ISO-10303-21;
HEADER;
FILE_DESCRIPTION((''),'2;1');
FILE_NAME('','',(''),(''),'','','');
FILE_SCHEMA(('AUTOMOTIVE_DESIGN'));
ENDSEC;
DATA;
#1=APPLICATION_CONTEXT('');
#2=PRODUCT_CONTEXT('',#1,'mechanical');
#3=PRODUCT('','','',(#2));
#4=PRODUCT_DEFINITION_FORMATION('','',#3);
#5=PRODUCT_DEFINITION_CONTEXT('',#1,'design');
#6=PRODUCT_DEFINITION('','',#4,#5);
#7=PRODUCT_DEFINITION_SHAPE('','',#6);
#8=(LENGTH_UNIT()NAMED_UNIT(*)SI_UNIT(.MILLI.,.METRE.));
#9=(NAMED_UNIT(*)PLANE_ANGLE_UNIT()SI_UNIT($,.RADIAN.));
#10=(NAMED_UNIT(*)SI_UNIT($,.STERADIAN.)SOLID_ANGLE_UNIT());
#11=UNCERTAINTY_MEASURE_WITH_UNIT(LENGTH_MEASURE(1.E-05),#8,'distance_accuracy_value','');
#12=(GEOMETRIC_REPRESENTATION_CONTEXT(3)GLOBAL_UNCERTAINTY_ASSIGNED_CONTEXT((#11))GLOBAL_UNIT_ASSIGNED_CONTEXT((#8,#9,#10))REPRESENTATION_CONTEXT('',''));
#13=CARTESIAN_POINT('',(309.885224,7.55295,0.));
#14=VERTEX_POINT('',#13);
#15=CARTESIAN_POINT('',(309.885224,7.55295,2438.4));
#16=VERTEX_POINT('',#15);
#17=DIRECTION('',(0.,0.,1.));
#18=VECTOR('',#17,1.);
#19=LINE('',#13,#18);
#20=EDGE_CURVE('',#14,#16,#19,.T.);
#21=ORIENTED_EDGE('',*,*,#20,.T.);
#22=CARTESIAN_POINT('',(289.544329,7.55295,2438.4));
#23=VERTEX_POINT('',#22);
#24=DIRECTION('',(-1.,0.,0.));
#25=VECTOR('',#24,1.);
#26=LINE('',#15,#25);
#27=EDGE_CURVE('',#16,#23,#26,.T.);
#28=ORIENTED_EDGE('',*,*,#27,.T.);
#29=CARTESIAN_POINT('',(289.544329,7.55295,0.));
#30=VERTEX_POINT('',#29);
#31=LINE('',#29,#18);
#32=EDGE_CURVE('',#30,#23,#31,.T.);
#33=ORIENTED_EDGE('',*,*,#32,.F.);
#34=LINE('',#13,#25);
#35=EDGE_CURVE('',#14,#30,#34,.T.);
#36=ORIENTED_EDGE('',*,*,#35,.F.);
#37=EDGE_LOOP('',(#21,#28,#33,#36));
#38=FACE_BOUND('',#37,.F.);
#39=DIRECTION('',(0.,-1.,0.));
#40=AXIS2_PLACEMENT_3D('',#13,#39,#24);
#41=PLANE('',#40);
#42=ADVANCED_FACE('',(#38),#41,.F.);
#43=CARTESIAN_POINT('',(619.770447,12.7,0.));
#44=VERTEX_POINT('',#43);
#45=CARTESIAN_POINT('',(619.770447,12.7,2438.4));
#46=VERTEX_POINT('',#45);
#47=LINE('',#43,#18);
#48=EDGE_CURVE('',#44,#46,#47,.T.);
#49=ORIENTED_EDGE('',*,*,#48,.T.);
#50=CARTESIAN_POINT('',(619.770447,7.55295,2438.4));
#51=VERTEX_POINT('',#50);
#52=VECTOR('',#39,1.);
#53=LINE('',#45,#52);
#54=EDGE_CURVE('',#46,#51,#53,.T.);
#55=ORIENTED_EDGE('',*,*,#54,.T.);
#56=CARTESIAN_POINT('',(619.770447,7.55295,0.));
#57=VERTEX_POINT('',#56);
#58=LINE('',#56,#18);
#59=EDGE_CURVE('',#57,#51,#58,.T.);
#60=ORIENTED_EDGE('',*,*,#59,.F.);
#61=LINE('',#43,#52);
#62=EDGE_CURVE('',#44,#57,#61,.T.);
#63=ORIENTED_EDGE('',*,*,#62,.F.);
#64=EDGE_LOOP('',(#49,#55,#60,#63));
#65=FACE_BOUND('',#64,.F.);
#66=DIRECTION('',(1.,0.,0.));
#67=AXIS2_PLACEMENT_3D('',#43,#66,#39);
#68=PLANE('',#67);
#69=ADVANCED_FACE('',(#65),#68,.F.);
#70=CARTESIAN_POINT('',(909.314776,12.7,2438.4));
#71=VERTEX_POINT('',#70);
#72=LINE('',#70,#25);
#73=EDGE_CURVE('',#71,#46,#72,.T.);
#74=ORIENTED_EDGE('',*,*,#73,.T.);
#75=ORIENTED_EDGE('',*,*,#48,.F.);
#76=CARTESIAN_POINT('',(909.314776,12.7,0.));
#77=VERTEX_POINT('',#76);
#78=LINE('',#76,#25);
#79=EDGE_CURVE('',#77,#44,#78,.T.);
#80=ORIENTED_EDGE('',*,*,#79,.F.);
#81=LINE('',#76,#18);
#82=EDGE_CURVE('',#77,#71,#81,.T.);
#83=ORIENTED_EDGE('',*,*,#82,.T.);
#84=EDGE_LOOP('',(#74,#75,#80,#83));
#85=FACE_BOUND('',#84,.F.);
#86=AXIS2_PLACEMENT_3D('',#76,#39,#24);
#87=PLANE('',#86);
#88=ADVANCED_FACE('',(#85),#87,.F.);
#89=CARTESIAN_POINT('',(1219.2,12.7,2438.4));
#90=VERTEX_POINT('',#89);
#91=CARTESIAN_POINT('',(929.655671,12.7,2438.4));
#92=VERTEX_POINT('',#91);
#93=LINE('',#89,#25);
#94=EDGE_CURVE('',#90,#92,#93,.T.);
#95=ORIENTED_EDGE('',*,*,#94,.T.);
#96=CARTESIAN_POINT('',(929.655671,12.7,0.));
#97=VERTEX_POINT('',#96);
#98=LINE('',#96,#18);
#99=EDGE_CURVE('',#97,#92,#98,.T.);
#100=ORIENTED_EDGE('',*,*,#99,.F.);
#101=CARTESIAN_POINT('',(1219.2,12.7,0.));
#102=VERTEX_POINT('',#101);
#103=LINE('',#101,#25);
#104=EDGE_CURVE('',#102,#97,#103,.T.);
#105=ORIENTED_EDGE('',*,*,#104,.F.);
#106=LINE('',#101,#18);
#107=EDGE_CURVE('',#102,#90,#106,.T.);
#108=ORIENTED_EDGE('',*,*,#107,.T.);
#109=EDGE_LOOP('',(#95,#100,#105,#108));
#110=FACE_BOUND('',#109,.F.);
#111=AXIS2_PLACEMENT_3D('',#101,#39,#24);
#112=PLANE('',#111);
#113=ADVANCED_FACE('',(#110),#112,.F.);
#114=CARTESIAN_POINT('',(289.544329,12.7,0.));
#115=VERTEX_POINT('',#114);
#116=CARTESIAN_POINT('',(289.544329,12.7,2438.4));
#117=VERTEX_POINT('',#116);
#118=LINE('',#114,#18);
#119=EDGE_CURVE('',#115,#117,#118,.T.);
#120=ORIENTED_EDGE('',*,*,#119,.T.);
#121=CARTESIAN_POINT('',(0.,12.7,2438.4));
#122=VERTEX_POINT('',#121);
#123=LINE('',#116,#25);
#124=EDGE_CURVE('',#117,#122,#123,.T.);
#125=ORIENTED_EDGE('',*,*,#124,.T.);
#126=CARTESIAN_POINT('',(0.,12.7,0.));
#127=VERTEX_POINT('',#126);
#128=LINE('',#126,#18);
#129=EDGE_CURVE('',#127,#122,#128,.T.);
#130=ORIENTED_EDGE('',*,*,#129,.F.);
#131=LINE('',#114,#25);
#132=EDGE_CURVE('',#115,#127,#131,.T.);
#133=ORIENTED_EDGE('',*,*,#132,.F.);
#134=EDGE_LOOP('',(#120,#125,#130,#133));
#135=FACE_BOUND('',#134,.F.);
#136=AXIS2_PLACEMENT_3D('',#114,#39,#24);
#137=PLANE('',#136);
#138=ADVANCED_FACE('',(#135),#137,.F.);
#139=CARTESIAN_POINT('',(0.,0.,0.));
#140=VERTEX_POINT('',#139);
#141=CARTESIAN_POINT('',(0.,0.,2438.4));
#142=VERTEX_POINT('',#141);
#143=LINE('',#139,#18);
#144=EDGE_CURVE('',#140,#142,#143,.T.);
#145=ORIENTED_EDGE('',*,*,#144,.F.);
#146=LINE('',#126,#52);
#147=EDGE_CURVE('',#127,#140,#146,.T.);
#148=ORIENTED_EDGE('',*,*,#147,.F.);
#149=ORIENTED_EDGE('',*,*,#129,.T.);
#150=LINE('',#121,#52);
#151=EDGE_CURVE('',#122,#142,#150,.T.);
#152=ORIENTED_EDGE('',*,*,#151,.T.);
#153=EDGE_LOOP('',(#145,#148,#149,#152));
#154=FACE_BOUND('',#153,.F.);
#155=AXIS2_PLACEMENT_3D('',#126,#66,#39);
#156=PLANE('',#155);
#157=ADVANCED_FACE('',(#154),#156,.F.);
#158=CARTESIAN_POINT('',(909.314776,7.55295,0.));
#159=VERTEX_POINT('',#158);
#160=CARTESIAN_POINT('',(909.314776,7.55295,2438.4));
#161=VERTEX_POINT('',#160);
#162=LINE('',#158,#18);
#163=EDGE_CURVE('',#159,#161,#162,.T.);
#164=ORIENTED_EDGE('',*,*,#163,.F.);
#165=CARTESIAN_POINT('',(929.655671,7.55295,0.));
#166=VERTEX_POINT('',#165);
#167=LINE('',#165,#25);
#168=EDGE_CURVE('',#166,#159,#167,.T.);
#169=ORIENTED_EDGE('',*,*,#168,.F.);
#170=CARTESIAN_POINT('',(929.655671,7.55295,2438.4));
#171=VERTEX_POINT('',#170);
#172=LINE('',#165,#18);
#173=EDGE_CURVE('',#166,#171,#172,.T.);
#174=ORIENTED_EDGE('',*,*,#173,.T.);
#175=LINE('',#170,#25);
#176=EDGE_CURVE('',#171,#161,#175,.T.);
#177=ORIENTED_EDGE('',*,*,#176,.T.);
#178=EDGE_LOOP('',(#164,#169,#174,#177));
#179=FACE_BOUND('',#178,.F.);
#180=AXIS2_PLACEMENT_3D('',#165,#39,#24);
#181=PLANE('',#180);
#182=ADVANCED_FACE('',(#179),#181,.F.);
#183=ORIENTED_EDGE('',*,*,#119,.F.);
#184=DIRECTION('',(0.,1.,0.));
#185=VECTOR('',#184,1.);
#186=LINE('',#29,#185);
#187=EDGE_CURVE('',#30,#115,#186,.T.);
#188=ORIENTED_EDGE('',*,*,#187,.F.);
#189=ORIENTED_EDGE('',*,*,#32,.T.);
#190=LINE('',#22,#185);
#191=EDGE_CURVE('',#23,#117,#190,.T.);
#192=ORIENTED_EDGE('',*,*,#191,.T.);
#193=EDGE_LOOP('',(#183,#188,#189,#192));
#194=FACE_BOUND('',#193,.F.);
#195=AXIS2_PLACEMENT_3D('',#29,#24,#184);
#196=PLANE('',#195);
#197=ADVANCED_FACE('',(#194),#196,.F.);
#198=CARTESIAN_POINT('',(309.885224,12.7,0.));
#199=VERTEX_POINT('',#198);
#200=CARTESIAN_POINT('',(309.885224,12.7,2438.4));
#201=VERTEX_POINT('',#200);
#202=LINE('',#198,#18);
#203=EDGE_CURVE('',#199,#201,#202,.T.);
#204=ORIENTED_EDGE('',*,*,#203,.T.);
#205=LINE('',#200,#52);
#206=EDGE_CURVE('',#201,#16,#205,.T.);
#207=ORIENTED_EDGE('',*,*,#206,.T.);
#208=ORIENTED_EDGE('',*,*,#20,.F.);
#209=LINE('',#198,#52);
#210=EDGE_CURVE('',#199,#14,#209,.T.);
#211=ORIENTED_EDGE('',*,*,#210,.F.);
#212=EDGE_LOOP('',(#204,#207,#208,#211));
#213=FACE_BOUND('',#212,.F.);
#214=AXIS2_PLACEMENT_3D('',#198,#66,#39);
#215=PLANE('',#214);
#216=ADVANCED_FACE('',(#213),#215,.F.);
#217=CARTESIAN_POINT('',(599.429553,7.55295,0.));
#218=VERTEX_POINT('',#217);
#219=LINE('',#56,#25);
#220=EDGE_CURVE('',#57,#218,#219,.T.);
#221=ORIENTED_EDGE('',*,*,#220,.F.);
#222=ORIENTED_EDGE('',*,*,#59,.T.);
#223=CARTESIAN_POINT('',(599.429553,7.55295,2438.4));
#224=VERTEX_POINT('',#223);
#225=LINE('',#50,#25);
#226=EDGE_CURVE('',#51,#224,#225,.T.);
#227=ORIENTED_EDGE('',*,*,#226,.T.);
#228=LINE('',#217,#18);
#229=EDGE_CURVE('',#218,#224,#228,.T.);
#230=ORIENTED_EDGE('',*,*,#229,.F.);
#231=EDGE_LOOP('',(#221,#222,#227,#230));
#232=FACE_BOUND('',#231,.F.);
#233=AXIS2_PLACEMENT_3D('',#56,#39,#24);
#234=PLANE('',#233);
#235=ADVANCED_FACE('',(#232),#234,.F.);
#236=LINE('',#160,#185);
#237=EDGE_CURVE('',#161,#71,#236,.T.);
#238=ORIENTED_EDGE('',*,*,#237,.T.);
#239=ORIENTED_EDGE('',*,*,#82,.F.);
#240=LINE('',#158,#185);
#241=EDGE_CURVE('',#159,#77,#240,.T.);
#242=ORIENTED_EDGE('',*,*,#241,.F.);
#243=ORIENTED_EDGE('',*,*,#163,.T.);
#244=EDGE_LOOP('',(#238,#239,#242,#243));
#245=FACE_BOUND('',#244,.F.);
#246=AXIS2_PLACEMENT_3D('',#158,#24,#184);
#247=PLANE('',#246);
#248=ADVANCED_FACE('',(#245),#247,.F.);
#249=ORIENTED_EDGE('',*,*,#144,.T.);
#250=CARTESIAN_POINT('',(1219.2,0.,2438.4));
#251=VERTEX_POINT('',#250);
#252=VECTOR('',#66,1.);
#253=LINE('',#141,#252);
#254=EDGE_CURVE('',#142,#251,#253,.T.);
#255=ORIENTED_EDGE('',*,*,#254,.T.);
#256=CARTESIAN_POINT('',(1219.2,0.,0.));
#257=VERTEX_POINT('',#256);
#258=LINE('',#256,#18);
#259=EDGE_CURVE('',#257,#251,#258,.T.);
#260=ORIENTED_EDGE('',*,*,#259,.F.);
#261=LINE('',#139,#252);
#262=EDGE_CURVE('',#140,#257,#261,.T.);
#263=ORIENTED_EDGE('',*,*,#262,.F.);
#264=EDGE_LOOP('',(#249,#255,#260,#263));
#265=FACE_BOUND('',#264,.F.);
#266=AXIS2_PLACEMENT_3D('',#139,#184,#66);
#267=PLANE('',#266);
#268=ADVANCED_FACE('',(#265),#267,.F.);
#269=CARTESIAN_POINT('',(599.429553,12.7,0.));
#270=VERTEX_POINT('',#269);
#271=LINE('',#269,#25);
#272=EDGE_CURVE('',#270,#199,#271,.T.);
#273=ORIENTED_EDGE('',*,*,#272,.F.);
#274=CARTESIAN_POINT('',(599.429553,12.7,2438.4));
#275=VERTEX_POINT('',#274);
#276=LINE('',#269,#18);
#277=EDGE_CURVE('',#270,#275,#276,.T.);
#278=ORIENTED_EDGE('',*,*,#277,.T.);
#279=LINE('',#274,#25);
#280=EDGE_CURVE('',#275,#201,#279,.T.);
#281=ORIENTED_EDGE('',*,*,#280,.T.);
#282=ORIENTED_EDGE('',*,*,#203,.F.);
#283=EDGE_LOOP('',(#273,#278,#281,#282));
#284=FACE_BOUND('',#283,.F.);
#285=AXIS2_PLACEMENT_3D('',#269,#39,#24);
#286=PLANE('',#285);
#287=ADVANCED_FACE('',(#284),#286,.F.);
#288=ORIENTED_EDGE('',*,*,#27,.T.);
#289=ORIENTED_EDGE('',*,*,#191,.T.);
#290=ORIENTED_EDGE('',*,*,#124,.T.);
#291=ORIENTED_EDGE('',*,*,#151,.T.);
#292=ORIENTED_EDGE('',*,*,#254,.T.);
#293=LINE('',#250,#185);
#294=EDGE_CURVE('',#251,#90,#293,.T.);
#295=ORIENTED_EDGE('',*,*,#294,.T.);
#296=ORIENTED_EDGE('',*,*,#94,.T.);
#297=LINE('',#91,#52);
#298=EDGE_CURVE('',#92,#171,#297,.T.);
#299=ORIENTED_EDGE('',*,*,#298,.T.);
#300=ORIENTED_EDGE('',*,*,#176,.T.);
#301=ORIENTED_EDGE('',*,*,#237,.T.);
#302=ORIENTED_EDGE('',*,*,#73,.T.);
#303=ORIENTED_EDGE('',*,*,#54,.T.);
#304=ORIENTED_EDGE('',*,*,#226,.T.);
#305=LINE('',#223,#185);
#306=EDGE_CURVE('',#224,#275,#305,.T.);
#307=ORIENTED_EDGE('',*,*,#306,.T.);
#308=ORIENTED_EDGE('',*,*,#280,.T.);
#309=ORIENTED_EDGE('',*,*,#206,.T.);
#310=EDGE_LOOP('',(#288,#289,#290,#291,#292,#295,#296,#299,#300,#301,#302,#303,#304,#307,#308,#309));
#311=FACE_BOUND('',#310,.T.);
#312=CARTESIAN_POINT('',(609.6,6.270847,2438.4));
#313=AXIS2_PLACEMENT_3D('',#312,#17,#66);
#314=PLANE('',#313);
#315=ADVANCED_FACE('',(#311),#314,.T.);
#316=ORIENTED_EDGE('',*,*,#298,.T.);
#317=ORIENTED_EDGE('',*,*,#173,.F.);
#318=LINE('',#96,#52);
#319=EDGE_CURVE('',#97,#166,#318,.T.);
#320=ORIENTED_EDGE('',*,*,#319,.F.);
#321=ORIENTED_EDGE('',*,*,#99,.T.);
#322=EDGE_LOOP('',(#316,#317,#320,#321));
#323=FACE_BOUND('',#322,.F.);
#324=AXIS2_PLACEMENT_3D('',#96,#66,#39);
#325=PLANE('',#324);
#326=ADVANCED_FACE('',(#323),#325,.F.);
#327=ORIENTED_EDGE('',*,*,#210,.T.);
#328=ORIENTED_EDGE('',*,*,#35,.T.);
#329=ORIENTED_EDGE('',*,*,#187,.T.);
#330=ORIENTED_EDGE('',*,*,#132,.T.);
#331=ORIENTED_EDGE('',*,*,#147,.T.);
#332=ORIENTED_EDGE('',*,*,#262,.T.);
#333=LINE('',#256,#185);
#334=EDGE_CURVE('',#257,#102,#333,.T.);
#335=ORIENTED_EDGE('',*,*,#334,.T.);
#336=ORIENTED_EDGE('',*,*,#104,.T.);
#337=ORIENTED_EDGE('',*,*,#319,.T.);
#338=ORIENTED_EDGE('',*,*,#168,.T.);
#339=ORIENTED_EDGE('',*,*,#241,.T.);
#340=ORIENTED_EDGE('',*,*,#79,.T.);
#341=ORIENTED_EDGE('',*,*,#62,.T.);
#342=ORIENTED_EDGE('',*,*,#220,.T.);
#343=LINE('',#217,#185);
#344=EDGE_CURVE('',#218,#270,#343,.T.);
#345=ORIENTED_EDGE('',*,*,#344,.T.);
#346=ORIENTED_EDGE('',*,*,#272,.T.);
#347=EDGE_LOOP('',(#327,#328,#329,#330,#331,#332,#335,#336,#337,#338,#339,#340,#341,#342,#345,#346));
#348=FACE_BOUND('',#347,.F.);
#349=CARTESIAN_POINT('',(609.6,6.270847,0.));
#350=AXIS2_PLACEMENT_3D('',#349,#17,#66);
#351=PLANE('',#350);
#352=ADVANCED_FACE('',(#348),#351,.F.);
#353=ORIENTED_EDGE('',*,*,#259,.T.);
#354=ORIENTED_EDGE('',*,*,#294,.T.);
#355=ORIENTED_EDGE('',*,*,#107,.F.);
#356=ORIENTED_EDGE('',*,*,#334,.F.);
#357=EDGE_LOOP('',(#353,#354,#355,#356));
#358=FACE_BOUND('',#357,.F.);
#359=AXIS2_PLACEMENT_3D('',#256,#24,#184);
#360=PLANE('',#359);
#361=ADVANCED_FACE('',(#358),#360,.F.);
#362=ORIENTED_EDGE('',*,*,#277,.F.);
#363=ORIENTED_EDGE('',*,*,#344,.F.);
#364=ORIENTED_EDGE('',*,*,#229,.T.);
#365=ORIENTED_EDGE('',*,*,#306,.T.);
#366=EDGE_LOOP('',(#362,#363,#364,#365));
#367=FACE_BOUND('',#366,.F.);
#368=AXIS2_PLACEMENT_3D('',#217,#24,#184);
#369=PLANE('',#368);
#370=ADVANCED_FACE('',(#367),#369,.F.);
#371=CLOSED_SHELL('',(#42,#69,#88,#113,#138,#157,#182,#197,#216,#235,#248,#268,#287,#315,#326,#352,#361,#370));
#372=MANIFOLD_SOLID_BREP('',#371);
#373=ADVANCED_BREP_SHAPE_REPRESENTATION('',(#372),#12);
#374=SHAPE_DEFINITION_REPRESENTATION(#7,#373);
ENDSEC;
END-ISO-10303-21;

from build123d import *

# Parameters (mm, degrees)
F1_DEPTH = 2438.4


with BuildPart() as f1:
    # F0 (on Top) → F1 (new body)
    with BuildSketch(Plane.XY):
        Polygon((0, 12.7), (0, 0), (1219.2, 0), (1219.2, 12.7), (929.655671, 12.7), (929.655671, 7.55295), (909.314776, 7.55295), (909.314776, 12.7), (619.770447, 12.7), (619.770447, 7.55295), (599.429553, 7.55295), (599.429553, 12.7), (309.885224, 12.7), (309.885224, 7.55295), (289.544329, 7.55295), (289.544329, 12.7), align=None)
    extrude(amount=F1_DEPTH)


solid = f1.part
